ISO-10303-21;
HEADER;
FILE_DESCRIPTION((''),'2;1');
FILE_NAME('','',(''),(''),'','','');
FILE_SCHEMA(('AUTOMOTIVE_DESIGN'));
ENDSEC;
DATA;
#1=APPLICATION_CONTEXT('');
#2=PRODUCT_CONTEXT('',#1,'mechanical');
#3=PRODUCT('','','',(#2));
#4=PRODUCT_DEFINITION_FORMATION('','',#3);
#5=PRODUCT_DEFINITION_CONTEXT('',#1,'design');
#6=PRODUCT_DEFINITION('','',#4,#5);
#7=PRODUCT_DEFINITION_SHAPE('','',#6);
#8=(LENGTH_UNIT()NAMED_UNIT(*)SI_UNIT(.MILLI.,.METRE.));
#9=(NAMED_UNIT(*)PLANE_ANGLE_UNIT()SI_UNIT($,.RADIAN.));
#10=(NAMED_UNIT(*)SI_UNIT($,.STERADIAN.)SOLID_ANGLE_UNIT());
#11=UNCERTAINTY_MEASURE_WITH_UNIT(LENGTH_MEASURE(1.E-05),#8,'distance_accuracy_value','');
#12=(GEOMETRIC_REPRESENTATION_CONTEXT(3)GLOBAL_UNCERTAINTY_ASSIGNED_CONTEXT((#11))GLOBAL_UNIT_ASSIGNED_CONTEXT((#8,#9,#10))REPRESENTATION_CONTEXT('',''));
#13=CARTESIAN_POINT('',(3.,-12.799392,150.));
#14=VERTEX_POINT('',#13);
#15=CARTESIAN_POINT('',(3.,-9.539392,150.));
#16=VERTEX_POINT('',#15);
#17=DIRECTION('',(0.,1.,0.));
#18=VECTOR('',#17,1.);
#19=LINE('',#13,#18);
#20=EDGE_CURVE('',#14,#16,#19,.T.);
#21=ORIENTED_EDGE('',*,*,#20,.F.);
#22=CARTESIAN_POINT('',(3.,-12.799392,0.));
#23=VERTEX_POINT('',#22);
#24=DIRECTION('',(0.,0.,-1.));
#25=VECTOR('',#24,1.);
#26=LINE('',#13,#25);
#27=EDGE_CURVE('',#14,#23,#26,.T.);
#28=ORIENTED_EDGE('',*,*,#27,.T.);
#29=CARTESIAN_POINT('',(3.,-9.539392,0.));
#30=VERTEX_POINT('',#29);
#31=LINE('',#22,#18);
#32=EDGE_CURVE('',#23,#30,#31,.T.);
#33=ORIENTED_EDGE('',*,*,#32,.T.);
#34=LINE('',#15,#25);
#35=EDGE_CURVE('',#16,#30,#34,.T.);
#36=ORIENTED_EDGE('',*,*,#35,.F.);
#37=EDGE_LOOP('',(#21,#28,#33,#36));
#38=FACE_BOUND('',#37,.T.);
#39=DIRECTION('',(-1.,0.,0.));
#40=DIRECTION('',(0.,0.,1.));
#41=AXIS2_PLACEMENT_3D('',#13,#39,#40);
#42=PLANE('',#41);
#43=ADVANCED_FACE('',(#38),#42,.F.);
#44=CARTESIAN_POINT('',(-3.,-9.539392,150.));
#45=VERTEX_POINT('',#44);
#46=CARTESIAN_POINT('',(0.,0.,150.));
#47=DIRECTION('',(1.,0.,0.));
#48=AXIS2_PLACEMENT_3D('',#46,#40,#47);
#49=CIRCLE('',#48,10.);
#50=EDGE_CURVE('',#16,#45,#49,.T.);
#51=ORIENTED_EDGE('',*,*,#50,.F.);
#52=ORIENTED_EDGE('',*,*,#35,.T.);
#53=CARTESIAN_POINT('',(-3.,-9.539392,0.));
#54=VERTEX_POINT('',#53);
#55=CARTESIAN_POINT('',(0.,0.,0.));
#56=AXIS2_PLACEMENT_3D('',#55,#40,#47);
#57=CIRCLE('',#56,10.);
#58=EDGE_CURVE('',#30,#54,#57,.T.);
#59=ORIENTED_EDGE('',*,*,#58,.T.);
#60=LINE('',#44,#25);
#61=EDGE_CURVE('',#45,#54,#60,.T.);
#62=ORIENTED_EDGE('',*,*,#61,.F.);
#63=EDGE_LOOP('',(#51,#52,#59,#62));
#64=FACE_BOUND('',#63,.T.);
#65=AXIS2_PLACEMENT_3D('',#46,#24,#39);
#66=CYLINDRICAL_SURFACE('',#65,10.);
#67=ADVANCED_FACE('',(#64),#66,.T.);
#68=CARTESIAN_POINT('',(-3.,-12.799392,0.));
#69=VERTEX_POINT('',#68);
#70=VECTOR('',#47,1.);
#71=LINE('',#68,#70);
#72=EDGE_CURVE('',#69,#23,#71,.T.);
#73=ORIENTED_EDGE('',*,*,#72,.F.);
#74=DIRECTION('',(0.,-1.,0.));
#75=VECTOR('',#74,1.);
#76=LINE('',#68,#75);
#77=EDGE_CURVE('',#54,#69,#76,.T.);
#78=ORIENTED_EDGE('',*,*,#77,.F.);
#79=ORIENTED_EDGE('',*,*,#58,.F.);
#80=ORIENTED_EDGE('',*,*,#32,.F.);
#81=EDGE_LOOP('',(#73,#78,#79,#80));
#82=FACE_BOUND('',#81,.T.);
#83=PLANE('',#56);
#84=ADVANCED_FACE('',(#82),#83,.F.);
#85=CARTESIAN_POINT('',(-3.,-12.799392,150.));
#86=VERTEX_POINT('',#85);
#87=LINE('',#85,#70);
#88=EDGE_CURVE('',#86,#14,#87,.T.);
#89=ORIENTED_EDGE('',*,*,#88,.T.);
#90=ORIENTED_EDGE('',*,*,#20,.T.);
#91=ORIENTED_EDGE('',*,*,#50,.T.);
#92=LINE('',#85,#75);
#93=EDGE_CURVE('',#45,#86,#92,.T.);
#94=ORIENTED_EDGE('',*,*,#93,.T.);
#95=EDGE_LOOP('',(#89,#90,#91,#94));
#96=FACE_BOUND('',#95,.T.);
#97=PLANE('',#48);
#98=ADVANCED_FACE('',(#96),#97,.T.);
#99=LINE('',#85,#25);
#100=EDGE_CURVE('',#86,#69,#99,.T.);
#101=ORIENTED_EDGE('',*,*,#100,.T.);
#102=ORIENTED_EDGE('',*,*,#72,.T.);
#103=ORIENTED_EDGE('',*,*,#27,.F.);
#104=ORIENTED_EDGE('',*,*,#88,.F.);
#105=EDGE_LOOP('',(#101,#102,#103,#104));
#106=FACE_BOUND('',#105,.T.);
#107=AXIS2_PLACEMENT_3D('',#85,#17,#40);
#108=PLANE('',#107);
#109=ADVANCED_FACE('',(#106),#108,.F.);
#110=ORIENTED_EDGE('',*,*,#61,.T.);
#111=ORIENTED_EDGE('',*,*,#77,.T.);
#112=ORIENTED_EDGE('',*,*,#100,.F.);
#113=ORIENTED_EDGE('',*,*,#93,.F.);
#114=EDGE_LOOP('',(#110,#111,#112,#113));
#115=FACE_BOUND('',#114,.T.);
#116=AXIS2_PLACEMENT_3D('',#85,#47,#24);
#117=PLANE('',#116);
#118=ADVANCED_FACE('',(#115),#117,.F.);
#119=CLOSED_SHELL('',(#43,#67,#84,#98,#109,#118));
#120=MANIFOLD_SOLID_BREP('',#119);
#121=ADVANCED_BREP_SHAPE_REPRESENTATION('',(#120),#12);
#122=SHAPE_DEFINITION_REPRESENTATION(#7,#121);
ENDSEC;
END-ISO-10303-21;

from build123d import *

# Parameters (mm, degrees)
BOSS_EXTRUDE1_DEPTH = 150


with BuildPart() as part:
    # Sketch1 → Boss-Extrude1 (new body)
    with BuildSketch(Plane.XY):
        with BuildLine():
            Line((-3, -12.799392014), (3, -12.799392014))
            Line((3, -12.799392014), (3, -9.539392014))
            ThreePointArc((3, -9.539392014), (0, 10), (-3, -9.539392014))
            Line((-3, -9.539392014), (-3, -12.799392014))
        make_face()
    extrude(amount=BOSS_EXTRUDE1_DEPTH)


solid = part.part
